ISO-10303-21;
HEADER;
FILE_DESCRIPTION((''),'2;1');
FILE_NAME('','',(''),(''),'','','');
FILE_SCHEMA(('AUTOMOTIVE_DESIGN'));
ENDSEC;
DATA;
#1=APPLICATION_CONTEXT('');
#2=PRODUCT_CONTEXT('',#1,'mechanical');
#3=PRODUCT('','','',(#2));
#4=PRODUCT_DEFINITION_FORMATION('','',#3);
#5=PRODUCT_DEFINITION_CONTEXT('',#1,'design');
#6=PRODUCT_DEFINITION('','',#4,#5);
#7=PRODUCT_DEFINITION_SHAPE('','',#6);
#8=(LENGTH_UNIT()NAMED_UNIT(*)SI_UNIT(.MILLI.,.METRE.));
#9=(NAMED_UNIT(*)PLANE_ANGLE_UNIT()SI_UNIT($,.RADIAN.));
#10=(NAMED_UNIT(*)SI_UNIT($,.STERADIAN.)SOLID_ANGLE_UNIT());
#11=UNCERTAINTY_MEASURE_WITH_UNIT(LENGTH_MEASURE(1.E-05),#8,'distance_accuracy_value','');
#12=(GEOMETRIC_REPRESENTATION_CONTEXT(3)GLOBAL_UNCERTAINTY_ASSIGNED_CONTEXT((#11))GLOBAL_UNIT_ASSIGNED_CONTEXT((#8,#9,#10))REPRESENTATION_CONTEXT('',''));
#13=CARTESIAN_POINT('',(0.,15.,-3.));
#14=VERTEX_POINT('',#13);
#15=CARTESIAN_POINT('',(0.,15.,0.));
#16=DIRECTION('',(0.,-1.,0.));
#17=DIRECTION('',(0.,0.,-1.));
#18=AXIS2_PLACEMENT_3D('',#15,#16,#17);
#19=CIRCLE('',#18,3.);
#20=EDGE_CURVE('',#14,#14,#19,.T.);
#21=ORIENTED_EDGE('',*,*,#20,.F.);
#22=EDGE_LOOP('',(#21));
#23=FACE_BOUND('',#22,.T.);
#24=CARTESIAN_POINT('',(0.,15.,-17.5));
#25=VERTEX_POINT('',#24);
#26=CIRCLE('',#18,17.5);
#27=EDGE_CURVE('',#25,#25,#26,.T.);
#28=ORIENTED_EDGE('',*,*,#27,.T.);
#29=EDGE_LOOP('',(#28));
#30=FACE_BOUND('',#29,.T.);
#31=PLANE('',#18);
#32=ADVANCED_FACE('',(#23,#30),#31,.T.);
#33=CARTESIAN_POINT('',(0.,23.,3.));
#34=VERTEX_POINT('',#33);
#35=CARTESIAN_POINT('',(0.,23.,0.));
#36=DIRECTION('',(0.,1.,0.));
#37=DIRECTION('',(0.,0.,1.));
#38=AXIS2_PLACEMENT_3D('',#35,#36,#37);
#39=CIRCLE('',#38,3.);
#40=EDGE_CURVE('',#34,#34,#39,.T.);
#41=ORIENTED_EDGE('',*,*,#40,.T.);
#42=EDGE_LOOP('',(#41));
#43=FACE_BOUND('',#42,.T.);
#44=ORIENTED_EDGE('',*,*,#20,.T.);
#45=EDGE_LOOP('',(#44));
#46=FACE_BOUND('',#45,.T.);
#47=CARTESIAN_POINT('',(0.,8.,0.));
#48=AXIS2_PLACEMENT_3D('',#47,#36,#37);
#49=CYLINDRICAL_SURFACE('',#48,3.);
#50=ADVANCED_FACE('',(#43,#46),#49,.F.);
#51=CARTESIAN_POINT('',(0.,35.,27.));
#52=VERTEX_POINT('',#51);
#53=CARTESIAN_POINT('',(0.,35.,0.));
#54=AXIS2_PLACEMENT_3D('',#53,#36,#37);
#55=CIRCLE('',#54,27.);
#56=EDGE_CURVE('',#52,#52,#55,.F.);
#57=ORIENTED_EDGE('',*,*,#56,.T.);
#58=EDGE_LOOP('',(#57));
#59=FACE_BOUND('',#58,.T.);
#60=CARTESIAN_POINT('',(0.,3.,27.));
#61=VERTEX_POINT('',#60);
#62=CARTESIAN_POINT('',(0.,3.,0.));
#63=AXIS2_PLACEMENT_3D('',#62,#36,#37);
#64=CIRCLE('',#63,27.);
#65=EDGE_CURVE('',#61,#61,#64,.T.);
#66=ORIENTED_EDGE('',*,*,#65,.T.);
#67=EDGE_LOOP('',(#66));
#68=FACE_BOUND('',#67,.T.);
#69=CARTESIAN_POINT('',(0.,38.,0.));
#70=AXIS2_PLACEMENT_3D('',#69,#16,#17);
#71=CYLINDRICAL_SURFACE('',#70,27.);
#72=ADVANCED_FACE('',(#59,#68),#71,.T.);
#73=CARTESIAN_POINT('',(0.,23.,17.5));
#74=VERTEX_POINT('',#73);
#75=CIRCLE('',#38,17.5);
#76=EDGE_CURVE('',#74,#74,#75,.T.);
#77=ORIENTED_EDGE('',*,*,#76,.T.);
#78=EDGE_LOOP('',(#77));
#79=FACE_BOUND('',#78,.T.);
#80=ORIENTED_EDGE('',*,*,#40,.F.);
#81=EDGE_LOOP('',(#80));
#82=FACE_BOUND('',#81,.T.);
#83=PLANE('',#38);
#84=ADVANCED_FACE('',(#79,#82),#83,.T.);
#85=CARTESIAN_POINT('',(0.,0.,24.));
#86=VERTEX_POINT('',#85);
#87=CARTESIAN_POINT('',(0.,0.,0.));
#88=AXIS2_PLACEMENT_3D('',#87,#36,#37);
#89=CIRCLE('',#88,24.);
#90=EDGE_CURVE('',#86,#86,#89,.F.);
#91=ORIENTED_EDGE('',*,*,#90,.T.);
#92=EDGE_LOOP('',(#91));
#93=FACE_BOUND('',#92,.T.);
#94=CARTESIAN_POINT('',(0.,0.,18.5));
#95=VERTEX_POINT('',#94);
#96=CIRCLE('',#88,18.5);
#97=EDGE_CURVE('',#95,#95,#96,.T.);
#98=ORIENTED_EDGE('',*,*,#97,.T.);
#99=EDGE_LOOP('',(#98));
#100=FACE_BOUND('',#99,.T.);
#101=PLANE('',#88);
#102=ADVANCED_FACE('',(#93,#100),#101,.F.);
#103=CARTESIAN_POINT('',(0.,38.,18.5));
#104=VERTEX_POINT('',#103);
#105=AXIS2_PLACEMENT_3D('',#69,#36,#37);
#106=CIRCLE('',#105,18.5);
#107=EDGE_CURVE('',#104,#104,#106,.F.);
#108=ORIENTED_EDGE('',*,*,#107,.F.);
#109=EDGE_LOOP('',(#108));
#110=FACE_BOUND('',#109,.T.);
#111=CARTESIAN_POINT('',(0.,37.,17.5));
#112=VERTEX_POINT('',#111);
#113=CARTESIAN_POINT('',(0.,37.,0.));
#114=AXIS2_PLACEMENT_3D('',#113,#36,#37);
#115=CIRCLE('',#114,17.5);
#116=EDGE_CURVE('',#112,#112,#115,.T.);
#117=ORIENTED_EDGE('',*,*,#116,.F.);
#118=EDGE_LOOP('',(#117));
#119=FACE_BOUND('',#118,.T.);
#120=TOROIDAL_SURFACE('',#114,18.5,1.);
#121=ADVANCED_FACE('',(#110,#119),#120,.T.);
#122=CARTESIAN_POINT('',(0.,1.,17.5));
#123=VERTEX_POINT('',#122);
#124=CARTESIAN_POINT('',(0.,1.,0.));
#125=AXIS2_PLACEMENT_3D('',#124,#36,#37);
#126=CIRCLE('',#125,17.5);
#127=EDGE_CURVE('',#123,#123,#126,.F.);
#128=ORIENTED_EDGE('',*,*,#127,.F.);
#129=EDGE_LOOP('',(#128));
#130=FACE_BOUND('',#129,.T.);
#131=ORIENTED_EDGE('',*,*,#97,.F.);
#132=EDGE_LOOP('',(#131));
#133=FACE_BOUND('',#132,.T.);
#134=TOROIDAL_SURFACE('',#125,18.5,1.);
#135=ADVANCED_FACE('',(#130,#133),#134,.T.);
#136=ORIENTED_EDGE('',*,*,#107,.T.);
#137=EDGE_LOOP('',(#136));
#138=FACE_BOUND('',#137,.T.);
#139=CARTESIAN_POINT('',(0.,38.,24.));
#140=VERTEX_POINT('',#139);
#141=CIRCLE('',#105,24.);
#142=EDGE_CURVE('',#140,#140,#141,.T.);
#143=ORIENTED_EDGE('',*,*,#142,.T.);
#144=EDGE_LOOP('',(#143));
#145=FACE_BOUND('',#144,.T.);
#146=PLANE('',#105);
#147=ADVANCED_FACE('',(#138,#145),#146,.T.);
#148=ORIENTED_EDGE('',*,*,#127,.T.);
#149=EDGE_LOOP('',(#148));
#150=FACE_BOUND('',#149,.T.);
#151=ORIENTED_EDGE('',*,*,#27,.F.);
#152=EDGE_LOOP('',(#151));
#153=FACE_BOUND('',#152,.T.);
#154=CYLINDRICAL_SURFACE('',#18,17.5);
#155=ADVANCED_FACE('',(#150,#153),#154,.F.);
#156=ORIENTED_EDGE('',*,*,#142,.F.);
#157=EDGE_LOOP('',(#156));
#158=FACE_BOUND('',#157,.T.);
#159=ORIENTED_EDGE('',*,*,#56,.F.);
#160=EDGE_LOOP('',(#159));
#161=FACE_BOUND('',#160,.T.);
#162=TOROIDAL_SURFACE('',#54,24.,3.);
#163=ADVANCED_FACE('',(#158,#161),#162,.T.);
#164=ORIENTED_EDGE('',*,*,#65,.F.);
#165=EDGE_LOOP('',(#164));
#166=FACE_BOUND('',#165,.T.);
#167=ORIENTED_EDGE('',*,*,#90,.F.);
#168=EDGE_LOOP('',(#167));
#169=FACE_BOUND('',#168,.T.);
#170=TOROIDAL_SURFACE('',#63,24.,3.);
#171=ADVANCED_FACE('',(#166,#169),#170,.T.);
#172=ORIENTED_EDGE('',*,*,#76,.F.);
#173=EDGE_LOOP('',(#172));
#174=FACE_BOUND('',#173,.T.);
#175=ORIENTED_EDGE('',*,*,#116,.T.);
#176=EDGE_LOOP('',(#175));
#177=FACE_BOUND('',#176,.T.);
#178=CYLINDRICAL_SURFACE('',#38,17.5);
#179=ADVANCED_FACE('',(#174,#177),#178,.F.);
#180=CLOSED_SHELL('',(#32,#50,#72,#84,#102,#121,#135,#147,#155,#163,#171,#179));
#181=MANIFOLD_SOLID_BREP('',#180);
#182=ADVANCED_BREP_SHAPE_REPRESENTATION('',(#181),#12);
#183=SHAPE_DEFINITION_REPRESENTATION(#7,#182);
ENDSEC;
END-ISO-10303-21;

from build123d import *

# Parameters (mm, degrees)
ESQUISSE1_R             = 27
BOSS_EXTRU_1_DEPTH      = 38
CONG_1_R                = 3
CONG_2_R                = 3
ESQUISSE2_R             = 17.5
ENL_V_MAT_EXTRU_1_DEPTH = 15
ESQUISSE3_R             = 17.5
ENL_V_MAT_EXTRU_2_DEPTH = 15
ESQUISSE4_R             = 3
ENL_V_MAT_EXTRU_3_DEPTH = 15
CONG_3_R                = 1
CONG_4_R                = 1


with BuildPart() as part:
    # Esquisse1 → Boss.-Extru.1 (new body)
    with BuildSketch(Plane(origin=(0, 0, 0), x_dir=(1, 0, 0), z_dir=(0, 1, 0))):
        Circle(ESQUISSE1_R)
    extrude(amount=BOSS_EXTRU_1_DEPTH)

    # Congé1
    cong_1_edges = [part.edges().sort_by_distance(p)[0] for p in [
        (-27, 38, 0),
    ]]
    fillet(cong_1_edges, radius=CONG_1_R)

    # Congé2
    cong_2_edges = [part.edges().sort_by_distance(p)[0] for p in [
        (-27, 0, 0),
    ]]
    fillet(cong_2_edges, radius=CONG_2_R)

    # Esquisse2 → Enlèv. mat.-Extru.1 (cut)
    with BuildSketch(Plane.XZ):
        Circle(ESQUISSE2_R)
    extrude(amount=-ENL_V_MAT_EXTRU_1_DEPTH, mode=Mode.SUBTRACT)

    # Esquisse3 → Enlèv. mat.-Extru.2 (cut)
    with BuildSketch(Plane(origin=(0, 38, 0), x_dir=(1, 0, 0), z_dir=(0, 1, 0))):
        Circle(ESQUISSE3_R)
    extrude(amount=-ENL_V_MAT_EXTRU_2_DEPTH, mode=Mode.SUBTRACT)

    # Esquisse4 → Enlèv. mat.-Extru.3 (cut)
    with BuildSketch(Plane(origin=(0, 23, 0), x_dir=(1, 0, 0), z_dir=(0, 1, 0))):
        Circle(ESQUISSE4_R)
    extrude(amount=-ENL_V_MAT_EXTRU_3_DEPTH, mode=Mode.SUBTRACT)

    # Congé3
    cong_3_edges = [part.edges().sort_by_distance(p)[0] for p in [
        (-17.5, 38, 0),
    ]]
    fillet(cong_3_edges, radius=CONG_3_R)

    # Congé4
    cong_4_edges = [part.edges().sort_by_distance(p)[0] for p in [
        (-17.5, 0, 0),
    ]]
    fillet(cong_4_edges, radius=CONG_4_R)


solid = part.part
